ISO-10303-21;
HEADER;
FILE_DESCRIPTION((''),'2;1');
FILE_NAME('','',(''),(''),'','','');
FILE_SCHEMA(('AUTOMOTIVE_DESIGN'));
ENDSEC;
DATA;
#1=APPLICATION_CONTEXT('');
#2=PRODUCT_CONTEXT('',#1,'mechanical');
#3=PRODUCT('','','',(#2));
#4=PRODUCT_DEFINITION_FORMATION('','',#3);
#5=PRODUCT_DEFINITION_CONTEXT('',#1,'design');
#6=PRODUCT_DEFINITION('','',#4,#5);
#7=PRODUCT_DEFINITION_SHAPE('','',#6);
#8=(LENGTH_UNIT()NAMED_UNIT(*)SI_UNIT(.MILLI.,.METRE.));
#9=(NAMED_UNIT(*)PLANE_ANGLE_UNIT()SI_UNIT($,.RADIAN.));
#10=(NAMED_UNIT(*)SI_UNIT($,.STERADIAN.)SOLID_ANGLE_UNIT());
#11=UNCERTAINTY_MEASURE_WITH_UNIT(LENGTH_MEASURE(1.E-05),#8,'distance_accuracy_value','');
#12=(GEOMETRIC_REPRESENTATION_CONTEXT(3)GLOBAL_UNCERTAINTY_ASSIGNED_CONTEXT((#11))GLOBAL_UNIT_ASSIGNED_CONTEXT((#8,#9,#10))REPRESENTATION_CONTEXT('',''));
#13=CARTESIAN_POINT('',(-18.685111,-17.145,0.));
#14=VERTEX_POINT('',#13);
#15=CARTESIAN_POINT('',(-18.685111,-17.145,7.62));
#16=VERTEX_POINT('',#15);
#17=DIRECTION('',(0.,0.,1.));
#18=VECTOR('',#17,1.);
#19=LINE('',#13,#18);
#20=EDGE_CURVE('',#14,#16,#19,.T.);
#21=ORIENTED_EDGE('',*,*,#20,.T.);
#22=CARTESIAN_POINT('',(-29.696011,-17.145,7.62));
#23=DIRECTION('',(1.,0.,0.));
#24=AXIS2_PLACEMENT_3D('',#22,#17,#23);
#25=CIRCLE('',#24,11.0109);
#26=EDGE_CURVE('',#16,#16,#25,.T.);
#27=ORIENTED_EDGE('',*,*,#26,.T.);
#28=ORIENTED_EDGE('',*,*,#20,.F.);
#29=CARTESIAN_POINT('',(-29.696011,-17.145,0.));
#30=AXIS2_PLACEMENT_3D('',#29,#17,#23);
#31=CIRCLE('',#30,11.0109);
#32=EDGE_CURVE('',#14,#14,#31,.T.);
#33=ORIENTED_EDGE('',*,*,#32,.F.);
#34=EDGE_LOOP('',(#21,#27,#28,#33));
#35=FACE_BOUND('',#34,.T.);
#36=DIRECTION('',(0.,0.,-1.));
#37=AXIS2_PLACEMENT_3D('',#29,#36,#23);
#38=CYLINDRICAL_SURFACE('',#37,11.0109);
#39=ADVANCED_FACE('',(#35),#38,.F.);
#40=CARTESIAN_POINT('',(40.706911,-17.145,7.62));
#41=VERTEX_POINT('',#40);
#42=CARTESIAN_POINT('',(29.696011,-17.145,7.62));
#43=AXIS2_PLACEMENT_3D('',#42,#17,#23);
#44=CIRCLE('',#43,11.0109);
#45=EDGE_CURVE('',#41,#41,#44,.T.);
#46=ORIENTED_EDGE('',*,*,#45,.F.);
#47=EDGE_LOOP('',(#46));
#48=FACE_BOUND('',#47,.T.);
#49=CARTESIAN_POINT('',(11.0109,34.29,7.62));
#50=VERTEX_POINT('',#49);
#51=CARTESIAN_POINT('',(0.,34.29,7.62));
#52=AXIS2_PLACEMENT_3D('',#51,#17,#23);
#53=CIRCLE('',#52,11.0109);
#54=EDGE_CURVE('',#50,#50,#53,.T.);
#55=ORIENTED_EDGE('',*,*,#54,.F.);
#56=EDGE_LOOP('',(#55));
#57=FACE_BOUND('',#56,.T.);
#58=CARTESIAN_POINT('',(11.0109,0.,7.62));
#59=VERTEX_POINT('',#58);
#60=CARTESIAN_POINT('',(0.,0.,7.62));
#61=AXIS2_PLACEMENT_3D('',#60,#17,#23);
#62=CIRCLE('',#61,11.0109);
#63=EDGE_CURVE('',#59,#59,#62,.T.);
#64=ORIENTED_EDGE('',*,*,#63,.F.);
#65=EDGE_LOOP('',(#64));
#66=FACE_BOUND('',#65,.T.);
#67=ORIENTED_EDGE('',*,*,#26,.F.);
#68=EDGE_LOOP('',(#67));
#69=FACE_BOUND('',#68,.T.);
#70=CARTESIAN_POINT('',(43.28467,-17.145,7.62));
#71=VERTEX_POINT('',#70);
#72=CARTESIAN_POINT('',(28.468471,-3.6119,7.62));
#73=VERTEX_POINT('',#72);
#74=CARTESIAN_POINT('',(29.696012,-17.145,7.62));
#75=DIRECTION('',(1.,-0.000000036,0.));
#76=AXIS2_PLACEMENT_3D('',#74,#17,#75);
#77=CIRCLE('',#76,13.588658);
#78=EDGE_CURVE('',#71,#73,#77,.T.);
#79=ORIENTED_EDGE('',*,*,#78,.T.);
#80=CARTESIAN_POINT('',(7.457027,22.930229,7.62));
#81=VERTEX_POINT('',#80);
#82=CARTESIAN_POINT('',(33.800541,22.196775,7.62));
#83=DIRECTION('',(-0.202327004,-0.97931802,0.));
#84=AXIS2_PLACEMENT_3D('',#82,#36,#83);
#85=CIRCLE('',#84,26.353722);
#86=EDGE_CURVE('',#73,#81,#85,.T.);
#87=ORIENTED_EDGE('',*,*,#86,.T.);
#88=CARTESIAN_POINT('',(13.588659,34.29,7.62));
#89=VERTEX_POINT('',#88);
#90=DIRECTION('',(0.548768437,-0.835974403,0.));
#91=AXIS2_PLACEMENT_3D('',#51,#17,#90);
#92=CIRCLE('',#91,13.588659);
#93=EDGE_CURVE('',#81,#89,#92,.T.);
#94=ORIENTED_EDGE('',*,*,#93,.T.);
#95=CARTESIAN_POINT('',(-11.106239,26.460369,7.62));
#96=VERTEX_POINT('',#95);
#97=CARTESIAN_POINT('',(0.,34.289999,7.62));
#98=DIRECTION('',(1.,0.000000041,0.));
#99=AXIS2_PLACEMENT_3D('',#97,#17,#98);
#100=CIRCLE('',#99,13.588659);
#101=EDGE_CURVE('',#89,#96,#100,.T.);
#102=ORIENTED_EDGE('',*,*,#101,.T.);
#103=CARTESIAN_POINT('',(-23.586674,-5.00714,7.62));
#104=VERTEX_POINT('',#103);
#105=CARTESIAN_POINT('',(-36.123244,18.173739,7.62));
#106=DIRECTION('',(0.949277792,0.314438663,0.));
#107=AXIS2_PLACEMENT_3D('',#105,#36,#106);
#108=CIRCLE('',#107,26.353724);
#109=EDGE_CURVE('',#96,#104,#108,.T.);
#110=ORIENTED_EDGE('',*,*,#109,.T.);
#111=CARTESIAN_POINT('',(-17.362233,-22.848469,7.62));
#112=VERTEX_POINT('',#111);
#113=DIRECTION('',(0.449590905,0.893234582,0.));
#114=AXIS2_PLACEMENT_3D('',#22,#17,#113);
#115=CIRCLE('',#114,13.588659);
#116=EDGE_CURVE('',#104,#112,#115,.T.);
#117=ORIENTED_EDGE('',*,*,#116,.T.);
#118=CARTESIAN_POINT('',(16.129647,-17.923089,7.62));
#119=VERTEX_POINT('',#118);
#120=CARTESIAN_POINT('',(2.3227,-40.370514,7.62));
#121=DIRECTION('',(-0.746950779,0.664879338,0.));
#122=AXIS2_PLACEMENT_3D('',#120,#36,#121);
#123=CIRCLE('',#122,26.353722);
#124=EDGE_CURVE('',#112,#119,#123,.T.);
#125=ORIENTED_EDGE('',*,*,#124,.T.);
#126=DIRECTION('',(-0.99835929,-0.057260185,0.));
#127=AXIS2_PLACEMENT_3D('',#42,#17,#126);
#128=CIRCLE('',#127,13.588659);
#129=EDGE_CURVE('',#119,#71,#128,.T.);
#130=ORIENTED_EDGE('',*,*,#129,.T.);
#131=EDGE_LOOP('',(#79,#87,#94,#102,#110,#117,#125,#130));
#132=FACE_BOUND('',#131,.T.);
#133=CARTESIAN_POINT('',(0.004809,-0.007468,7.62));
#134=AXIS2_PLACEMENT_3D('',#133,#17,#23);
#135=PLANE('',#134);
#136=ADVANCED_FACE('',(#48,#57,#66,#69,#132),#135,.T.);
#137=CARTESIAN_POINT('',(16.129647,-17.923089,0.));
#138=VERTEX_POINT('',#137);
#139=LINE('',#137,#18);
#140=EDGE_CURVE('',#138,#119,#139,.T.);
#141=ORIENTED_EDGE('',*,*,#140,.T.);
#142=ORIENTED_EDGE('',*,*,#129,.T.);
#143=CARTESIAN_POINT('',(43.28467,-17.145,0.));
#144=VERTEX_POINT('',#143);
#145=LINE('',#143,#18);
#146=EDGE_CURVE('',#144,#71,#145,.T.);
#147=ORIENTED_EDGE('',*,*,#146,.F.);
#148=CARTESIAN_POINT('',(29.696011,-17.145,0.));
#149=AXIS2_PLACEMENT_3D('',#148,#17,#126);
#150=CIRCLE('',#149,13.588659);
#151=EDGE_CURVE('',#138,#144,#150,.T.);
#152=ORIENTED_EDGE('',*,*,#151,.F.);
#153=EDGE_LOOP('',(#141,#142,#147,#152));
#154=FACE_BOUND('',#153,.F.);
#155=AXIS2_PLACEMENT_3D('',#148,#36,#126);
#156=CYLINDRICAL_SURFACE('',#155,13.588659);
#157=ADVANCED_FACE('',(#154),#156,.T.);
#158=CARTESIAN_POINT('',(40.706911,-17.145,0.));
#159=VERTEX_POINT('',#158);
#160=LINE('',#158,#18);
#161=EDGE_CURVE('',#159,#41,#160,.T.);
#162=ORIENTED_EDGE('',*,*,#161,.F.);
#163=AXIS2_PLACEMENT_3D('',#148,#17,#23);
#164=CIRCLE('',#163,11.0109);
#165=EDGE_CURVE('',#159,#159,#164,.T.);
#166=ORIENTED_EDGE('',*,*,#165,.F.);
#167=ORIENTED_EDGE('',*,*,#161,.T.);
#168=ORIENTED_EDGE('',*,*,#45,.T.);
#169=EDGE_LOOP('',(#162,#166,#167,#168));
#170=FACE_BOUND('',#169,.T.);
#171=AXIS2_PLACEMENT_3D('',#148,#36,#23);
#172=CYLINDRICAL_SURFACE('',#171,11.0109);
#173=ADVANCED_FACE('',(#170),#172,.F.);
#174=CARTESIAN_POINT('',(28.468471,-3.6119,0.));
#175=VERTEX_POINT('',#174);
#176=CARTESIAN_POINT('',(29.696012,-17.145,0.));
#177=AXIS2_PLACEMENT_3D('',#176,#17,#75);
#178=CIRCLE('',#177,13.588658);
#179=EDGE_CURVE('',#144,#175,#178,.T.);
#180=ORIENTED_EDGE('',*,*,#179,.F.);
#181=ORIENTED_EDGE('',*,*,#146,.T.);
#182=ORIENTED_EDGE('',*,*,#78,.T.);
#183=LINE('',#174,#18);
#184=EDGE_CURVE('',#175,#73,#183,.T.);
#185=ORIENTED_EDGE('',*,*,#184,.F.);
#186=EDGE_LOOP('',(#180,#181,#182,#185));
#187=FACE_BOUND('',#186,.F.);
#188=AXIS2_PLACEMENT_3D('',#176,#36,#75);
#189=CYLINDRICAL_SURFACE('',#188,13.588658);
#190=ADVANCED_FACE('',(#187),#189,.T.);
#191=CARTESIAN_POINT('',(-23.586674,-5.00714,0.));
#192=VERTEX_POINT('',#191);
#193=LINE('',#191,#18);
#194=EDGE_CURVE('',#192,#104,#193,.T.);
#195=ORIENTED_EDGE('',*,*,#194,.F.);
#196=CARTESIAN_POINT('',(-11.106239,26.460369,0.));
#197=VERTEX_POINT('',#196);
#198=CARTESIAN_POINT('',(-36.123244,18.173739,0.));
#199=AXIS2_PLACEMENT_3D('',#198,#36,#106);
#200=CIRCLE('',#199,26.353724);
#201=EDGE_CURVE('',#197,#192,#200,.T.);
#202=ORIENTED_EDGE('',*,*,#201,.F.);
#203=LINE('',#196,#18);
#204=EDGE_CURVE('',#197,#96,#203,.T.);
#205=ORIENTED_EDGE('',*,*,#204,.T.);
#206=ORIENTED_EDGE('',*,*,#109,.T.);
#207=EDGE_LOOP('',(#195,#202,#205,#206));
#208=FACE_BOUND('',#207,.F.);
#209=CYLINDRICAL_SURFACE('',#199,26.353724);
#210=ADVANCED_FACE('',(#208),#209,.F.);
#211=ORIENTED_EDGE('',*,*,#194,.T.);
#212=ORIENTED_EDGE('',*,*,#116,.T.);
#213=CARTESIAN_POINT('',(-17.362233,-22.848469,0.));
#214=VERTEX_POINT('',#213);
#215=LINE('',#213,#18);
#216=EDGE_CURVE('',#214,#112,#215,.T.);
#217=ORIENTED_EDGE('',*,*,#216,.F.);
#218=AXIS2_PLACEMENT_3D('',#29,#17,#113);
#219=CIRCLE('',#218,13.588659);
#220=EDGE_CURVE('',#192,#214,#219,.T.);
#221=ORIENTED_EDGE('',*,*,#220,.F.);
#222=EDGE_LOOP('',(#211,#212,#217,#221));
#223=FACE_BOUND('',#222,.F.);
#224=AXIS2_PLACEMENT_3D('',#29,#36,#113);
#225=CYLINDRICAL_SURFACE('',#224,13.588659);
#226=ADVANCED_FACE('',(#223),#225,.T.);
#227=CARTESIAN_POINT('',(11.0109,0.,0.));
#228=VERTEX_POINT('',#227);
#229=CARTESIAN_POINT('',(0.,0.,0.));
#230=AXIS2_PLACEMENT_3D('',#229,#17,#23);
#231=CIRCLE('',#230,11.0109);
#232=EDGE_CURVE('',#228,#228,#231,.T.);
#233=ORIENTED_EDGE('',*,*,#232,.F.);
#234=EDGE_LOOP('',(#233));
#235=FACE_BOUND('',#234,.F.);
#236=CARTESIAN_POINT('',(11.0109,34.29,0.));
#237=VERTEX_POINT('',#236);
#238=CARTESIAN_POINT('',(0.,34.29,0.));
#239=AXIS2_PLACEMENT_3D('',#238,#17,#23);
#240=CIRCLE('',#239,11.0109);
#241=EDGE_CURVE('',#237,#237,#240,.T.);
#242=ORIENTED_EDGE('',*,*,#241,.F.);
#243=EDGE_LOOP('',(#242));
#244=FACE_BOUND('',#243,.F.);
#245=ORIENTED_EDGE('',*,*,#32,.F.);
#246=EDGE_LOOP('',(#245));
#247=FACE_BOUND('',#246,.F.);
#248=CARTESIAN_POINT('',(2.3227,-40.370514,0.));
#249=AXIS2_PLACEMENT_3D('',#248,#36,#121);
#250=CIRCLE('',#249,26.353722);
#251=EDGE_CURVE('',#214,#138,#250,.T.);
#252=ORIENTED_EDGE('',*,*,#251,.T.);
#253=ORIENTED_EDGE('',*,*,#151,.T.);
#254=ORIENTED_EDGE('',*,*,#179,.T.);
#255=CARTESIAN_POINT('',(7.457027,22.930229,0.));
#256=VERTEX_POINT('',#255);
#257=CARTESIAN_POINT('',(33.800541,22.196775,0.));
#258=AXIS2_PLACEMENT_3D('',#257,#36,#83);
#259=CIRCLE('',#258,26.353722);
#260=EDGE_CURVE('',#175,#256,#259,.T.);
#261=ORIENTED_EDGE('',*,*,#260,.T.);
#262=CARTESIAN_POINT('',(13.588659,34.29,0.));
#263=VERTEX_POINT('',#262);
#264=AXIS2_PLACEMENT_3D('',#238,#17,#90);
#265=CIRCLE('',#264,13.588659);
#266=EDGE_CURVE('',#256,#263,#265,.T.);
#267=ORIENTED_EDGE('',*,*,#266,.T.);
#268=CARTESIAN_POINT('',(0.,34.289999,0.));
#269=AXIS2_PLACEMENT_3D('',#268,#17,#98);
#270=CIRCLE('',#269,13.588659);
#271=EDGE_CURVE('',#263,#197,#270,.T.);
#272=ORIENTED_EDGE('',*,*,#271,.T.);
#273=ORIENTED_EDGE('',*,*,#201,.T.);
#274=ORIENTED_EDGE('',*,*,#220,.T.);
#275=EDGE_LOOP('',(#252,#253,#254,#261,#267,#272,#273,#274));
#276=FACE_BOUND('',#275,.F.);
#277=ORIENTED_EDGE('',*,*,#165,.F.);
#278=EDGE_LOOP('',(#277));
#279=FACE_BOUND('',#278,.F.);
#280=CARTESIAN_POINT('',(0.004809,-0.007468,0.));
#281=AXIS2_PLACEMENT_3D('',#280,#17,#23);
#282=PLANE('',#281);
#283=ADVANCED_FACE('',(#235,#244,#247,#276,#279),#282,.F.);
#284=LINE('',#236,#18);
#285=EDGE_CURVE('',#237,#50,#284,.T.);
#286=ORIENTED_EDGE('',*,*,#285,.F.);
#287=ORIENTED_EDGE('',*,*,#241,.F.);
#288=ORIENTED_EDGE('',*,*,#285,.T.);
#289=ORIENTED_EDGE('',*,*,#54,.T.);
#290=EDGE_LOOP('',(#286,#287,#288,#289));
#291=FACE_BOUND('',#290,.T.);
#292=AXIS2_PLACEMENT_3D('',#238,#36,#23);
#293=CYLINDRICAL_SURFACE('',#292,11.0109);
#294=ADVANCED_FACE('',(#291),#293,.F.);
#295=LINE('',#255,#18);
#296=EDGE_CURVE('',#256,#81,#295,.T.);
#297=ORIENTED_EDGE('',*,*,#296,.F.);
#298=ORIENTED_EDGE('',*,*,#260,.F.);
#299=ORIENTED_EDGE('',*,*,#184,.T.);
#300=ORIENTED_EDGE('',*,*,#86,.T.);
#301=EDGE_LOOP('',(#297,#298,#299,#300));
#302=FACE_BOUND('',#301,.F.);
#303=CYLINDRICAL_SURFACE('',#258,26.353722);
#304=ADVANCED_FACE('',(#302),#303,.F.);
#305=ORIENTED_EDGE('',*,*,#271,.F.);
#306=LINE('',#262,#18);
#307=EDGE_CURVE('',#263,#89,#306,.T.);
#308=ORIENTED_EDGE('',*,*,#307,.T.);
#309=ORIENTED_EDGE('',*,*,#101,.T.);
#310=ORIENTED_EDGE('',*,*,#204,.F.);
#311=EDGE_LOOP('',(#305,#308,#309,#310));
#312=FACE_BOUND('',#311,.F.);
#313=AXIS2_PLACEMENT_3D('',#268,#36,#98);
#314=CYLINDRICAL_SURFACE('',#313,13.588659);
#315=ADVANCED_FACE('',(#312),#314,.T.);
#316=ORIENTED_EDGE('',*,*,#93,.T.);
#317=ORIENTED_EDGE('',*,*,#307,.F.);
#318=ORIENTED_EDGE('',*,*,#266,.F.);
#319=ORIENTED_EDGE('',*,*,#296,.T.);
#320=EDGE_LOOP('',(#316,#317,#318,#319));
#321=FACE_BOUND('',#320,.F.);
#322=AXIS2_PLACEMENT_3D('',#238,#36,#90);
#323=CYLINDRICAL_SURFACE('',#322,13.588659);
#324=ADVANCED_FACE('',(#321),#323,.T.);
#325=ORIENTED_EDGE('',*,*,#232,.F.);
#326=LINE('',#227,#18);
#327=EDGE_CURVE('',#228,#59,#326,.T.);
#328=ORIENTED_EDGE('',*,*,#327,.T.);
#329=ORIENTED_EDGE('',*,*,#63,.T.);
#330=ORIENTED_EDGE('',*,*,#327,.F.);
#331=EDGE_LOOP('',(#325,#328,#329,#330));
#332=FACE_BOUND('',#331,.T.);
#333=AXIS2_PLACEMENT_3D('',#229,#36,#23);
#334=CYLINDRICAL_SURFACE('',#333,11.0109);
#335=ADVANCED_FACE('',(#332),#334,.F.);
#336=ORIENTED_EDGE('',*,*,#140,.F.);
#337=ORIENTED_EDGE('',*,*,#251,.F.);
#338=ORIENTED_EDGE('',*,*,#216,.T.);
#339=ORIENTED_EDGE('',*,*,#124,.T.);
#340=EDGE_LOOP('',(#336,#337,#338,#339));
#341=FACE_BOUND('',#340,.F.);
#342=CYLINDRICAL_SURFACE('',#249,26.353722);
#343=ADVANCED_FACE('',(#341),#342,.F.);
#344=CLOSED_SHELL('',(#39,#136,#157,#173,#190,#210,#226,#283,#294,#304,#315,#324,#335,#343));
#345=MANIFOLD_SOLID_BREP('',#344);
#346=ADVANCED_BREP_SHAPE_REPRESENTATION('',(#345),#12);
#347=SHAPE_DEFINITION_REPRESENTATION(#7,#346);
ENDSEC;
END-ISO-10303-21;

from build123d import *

# Parameters (mm, degrees)
F0_R     = 11.0109
F1_DEPTH = 7.62


with BuildPart() as f1:
    # F0 (on Top) → F1 (new body)
    with BuildSketch(Plane.XY):
        with BuildLine():
            ThreePointArc((7.457027, 22.930229), (-2.538633, 20.940581), (-11.106239, 26.460369))
            ThreePointArc((-11.106239, 26.460369), (-11.625922, 8.457774), (-23.586674, -5.00714))
            ThreePointArc((-23.586674, -5.00714), (-18.127317, -10.016397), (-16.107352, -17.145))
            ThreePointArc((-16.107352, -17.145), (-16.42478, -20.064944), (-17.362233, -22.848469))
            ThreePointArc((-17.362233, -22.848469), (-1.511686, -14.29723), (16.129647, -17.923089))
            ThreePointArc((16.129647, -17.923089), (19.404391, -8.271769), (28.468471, -3.6119))
            ThreePointArc((28.468471, -3.6119), (13.137608, 5.839456), (7.457027, 22.930229))
        make_face()
        Circle(F0_R, mode=Mode.SUBTRACT)
        with BuildLine():
            ThreePointArc((43.28467, -17.145), (38.860372, -7.111748), (28.468471, -3.6119))
            ThreePointArc((28.468471, -3.6119), (19.404391, -8.271769), (16.129647, -17.923089))
            ThreePointArc((16.129647, -17.923089), (30.085215, -30.728084), (43.28467, -17.145))
        make_face()
        with Locations((29.696011, -17.145)):
            Circle(F0_R, mode=Mode.SUBTRACT)
        with BuildLine():
            ThreePointArc((-16.107352, -17.145), (-18.127317, -10.016397), (-23.586674, -5.00714))
            ThreePointArc((-23.586674, -5.00714), (-42.526264, -21.621189), (-17.362233, -22.848469))
            ThreePointArc((-17.362233, -22.848469), (-16.42478, -20.064944), (-16.107352, -17.145))
        make_face()
        with Locations((-29.696011, -17.145)):
            Circle(F0_R, mode=Mode.SUBTRACT)
        with BuildLine():
            ThreePointArc((7.457027, 22.930229), (11.957898, 27.835519), (13.588659, 34.29))
            ThreePointArc((13.588659, 34.29), (-4.10687, 47.243195), (-11.106239, 26.460369))
            ThreePointArc((-11.106239, 26.460369), (-2.538633, 20.940581), (7.457027, 22.930229))
        make_face()
        with Locations((0, 34.29)):
            Circle(F0_R, mode=Mode.SUBTRACT)
    extrude(amount=F1_DEPTH)


solid = f1.part
